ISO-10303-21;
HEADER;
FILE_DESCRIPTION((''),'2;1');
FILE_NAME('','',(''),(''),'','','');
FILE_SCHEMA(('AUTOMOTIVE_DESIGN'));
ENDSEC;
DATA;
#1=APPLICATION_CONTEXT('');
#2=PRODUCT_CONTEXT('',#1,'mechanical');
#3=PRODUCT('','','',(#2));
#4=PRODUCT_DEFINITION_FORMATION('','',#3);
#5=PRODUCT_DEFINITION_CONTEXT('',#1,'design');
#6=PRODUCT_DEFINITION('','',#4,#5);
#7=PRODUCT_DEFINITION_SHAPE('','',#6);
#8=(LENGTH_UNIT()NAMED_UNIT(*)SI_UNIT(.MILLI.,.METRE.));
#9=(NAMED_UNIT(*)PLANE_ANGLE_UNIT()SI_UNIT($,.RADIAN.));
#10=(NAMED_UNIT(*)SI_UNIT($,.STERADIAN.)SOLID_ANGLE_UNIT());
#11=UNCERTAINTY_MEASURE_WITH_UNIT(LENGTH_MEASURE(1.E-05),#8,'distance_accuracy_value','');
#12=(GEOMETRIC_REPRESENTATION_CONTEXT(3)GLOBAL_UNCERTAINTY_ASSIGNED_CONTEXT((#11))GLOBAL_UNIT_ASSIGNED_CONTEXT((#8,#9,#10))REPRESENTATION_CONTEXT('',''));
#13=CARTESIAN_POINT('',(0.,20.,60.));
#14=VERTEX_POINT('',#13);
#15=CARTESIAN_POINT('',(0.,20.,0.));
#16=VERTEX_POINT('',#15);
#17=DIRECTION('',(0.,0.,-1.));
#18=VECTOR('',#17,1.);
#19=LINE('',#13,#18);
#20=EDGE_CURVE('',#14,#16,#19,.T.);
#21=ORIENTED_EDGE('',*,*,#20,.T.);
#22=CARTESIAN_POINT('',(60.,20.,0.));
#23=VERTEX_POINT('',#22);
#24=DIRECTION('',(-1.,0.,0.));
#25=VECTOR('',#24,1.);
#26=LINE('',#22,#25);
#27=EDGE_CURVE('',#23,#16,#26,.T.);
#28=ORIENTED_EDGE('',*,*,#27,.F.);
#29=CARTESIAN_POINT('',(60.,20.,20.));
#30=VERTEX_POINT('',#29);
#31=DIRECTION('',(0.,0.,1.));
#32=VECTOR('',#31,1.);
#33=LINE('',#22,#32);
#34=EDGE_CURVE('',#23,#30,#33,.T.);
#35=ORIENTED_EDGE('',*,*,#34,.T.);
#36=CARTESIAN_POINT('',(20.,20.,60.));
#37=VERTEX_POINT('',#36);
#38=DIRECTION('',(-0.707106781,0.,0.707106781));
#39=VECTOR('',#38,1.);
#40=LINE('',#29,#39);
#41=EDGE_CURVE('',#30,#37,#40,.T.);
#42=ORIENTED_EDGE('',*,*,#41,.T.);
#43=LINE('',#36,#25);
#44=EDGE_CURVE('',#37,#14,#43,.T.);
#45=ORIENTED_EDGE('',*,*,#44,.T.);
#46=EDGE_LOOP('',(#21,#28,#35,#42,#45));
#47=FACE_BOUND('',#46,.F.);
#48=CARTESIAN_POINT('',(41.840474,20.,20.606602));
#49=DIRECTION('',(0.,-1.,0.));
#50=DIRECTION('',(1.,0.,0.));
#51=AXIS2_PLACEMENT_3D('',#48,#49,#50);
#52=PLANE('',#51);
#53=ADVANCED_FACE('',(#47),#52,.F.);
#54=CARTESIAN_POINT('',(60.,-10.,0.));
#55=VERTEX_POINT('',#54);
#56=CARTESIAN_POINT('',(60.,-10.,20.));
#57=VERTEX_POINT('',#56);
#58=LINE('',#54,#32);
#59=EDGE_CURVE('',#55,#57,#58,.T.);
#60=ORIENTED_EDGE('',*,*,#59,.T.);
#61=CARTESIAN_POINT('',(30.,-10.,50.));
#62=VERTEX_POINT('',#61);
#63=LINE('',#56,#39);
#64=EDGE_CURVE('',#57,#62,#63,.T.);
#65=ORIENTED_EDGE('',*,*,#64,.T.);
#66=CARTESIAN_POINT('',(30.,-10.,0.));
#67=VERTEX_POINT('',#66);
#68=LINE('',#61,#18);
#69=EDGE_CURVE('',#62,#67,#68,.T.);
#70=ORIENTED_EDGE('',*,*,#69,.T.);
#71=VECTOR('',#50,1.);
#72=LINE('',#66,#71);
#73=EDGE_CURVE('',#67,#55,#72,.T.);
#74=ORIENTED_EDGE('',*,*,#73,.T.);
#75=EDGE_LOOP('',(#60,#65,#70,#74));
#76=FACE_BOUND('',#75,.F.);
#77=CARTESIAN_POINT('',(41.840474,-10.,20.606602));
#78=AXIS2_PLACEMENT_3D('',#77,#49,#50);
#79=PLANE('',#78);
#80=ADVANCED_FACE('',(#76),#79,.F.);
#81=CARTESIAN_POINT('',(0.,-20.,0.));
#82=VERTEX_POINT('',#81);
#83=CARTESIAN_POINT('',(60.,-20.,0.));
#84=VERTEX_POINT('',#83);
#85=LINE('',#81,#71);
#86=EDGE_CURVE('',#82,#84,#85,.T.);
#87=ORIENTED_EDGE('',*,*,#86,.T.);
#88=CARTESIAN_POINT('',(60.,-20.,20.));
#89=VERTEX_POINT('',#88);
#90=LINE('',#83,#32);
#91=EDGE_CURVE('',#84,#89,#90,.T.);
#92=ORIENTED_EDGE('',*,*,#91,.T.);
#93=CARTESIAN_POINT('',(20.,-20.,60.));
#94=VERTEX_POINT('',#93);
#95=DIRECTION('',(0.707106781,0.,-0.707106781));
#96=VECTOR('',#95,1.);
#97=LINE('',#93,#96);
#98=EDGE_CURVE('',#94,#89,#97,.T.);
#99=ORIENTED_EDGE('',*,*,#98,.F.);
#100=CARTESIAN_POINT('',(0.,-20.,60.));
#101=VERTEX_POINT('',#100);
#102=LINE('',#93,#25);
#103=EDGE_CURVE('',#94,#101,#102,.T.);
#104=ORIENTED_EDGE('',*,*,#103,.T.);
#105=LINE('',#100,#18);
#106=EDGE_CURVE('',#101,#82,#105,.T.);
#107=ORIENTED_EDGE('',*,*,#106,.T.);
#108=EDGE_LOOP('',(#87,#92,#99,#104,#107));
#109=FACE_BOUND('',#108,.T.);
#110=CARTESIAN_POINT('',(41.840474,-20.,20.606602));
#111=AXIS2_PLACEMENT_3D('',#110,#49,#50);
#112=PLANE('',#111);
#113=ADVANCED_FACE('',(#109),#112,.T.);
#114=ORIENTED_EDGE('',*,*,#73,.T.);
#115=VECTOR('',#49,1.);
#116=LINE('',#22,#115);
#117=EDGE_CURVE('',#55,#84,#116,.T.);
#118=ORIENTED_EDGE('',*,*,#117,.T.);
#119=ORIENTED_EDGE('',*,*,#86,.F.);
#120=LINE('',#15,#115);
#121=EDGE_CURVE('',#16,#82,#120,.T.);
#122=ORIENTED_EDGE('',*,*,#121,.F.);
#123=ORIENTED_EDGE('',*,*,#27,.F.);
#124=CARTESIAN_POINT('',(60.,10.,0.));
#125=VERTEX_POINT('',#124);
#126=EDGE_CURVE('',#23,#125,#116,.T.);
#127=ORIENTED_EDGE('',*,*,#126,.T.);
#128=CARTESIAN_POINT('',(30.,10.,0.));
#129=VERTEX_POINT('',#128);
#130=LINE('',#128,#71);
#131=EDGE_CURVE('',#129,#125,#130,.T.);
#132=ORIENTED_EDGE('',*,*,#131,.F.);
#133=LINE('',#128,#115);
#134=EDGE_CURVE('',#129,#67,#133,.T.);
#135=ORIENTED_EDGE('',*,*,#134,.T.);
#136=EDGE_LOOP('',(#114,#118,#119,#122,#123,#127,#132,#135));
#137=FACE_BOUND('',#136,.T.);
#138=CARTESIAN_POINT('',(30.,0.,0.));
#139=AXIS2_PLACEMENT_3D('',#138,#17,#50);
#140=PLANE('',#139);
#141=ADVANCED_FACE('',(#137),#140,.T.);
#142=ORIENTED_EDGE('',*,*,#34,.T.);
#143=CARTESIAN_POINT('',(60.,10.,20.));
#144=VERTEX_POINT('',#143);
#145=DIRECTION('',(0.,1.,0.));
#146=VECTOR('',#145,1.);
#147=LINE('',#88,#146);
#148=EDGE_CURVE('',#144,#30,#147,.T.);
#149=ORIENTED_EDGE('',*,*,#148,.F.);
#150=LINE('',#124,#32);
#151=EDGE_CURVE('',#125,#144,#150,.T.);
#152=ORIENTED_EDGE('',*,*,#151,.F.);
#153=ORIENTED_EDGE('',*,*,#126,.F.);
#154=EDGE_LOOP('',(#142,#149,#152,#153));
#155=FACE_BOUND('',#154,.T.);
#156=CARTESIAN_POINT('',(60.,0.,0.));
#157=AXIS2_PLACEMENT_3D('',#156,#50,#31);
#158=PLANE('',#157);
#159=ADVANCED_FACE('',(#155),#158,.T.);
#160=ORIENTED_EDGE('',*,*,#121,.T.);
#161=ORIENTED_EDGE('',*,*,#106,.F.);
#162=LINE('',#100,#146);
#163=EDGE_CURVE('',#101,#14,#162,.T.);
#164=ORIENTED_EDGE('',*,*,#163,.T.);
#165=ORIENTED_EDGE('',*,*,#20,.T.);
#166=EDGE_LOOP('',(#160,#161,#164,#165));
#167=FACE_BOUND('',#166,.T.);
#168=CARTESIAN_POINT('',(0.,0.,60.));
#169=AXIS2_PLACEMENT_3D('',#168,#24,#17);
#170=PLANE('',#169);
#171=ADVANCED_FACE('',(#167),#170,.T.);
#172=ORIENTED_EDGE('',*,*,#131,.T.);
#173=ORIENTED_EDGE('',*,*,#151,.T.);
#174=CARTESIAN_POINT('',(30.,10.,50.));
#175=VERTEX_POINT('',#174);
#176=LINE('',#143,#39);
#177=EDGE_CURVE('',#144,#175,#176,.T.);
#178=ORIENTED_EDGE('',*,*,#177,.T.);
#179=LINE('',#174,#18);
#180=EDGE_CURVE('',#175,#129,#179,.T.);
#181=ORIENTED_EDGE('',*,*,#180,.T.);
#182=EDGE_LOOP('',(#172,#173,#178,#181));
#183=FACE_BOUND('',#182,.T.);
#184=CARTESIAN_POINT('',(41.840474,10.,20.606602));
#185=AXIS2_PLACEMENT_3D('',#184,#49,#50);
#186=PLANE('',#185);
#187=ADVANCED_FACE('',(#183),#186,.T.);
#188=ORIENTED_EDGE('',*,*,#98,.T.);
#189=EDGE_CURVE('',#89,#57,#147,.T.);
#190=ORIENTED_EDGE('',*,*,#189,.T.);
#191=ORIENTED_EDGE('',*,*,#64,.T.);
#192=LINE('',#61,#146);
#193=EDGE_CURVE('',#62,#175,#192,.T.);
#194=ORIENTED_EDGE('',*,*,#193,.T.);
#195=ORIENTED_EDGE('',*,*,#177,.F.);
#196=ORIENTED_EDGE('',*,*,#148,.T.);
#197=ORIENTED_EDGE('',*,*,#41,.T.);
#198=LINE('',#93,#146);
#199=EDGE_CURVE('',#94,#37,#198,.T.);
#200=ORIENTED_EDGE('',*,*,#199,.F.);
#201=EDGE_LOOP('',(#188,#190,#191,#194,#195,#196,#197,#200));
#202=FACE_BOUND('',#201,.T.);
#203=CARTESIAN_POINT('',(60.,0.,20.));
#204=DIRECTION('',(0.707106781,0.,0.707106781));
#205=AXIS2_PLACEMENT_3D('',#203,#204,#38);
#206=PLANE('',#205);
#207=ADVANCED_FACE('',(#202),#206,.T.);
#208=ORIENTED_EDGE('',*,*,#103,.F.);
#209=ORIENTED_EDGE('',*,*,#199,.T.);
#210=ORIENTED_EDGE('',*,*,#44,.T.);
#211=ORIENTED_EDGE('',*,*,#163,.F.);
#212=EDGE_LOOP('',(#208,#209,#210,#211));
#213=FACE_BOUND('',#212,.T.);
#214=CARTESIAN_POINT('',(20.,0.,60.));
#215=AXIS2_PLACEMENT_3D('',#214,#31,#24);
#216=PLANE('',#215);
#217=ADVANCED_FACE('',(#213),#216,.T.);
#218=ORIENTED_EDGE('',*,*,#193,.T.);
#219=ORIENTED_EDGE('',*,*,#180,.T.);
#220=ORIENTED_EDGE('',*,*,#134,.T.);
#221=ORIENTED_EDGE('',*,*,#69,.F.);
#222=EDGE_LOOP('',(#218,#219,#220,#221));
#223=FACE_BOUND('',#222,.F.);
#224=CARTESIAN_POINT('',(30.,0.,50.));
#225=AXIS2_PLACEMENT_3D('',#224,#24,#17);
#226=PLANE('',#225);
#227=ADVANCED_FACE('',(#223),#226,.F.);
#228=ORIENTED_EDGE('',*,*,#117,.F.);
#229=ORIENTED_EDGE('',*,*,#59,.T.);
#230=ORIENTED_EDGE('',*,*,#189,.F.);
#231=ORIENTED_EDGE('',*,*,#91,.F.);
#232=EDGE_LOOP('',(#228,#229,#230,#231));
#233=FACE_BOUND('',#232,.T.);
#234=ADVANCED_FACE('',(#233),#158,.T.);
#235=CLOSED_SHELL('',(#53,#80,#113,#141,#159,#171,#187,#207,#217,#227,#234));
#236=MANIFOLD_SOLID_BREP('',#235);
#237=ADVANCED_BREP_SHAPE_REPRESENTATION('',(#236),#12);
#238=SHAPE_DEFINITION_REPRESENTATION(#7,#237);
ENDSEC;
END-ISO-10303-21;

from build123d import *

# Parameters (mm, degrees)
F1_DEPTH = 20
F2_DEPTH = 20
F3_DEPTH = 10


with BuildPart() as f1:
    # F0 (on Front) → F1 (new body, symmetric)
    with BuildSketch(Plane.XZ):
        Polygon((0, 60), (0, 0), (30, 0), (30, 50), (20, 60), align=None)
    extrude(amount=F1_DEPTH, both=True)

    # F0 (on Front) → F2 (join, symmetric)
    with BuildSketch(Plane.XZ):
        Polygon((30, 50), (30, 0), (60, 0), (60, 20), align=None)
    extrude(amount=F2_DEPTH, both=True)

    # F0 (on Front) → F3 (cut, symmetric)
    with BuildSketch(Plane.XZ):
        Polygon((30, 50), (30, 0), (60, 0), (60, 20), align=None)
    extrude(amount=F3_DEPTH, both=True, mode=Mode.SUBTRACT)


solid = f1.part
